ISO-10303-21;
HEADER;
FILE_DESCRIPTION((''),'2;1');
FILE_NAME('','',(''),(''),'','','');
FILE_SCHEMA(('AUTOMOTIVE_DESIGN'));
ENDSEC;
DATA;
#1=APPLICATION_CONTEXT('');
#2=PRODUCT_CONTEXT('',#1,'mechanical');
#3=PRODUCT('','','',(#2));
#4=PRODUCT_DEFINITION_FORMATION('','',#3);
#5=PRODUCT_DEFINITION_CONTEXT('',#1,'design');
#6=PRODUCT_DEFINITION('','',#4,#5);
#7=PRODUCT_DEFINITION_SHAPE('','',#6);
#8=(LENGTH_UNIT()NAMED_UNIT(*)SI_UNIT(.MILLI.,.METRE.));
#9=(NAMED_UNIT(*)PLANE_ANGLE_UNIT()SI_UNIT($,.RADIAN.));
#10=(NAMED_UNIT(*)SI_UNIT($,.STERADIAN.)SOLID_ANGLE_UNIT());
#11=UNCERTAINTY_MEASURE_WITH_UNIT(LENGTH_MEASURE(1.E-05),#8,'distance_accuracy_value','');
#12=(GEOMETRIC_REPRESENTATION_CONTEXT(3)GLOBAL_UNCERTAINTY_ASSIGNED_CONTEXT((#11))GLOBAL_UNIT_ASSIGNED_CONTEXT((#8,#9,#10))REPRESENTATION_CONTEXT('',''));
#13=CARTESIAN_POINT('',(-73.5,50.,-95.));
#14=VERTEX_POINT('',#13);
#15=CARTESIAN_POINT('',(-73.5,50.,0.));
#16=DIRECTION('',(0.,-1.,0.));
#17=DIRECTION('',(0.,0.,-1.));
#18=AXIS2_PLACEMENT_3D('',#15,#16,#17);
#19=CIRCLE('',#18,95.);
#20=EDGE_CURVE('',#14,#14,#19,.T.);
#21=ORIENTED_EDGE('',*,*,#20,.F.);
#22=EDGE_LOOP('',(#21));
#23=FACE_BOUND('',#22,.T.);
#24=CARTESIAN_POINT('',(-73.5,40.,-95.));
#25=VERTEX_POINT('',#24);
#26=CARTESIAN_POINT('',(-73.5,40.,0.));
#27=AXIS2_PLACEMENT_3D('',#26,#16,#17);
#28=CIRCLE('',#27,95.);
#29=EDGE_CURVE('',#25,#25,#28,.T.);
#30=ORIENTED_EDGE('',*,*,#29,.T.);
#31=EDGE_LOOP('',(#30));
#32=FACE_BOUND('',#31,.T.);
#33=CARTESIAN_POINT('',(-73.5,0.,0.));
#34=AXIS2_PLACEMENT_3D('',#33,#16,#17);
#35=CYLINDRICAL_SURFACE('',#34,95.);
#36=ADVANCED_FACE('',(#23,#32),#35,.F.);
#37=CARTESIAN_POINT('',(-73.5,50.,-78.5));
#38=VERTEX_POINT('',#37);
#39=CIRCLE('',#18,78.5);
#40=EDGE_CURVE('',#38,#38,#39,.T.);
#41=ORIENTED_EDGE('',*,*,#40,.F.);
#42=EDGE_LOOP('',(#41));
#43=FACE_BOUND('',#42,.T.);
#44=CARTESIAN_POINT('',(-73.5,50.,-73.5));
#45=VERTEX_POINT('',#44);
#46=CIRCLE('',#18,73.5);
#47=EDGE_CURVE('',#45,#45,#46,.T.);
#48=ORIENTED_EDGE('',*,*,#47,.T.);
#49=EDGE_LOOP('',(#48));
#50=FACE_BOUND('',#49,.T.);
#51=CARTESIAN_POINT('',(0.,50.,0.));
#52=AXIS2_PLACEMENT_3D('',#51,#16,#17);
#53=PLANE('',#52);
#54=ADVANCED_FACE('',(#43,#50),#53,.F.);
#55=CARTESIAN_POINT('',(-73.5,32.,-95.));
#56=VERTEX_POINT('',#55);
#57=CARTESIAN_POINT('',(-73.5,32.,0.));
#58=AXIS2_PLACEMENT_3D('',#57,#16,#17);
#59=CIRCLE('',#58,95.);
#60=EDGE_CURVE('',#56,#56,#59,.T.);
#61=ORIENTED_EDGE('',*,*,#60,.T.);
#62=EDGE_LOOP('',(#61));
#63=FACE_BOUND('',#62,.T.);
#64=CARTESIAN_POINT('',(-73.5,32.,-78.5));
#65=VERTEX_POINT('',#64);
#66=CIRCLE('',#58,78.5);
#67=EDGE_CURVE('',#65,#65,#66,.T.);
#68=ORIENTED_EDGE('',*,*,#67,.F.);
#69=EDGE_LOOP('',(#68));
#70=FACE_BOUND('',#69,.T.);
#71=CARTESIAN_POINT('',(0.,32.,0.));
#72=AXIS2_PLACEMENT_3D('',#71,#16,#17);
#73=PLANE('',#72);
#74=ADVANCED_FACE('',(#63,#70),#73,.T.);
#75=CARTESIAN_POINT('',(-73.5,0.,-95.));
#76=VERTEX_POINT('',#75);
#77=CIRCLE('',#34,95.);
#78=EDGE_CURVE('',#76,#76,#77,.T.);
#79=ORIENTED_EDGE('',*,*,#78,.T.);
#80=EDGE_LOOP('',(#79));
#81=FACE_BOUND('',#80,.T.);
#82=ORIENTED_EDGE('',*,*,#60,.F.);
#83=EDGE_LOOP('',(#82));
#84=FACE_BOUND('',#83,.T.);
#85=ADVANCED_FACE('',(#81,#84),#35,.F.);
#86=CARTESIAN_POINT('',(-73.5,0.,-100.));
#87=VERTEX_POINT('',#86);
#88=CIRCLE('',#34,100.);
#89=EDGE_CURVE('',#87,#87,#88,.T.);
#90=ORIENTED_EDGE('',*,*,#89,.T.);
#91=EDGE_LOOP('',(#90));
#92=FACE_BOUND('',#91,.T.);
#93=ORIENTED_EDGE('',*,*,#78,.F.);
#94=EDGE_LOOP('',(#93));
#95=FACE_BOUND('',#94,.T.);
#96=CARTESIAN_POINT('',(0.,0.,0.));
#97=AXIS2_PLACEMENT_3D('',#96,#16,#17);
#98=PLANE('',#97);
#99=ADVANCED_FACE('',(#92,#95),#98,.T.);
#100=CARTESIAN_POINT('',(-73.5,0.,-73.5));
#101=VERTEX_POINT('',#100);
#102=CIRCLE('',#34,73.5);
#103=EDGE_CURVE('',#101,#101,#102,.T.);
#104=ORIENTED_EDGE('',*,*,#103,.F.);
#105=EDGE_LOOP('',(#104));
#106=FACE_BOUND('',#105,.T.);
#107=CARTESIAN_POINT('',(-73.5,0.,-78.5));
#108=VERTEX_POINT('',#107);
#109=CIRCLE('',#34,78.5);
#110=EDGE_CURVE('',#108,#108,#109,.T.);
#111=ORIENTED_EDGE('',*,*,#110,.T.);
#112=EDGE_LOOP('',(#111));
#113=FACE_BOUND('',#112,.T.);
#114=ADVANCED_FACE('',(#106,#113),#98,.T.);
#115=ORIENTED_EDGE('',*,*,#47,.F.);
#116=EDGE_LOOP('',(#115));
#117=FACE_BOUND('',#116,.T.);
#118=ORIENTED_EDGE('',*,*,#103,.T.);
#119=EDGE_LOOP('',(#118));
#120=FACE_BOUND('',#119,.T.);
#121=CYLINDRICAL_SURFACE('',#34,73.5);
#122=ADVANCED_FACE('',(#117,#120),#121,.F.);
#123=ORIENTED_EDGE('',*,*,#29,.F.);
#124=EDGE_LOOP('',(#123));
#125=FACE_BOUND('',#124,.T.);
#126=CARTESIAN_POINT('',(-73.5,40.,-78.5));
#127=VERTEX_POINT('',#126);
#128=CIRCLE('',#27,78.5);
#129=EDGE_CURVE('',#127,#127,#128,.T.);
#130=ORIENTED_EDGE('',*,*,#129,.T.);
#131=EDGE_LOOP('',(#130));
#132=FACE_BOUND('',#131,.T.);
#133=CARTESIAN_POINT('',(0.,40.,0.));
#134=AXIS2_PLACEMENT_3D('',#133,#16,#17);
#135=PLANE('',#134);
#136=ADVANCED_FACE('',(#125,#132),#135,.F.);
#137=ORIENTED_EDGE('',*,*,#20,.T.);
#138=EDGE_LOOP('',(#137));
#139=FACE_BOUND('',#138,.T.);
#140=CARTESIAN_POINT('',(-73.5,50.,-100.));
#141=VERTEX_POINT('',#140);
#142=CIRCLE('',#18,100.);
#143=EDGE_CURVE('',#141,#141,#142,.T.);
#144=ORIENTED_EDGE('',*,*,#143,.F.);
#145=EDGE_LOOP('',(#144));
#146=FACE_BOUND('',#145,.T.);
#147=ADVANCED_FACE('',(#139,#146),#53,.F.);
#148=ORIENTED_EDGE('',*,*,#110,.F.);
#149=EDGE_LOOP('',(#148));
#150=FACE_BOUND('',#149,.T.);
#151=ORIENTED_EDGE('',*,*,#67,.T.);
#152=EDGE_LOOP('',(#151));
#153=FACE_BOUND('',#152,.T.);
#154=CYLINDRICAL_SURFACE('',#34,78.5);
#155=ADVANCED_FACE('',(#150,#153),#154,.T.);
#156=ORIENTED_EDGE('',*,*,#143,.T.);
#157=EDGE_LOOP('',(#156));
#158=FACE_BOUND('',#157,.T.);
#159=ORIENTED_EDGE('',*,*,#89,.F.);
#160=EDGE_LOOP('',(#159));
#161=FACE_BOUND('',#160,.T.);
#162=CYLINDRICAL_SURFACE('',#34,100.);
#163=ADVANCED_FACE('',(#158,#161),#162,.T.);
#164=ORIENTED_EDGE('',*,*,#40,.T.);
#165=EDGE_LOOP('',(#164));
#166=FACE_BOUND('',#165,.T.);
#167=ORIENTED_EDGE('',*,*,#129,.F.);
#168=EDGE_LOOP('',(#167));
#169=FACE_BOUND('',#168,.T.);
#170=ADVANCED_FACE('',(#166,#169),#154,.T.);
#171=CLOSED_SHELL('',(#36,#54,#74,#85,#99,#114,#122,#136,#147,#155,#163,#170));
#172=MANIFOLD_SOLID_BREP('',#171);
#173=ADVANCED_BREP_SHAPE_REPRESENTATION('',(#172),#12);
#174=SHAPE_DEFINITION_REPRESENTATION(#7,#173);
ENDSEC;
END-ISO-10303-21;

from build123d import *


with BuildPart() as part:
    # Sketch2 → Revolve1 (revolve)
    with BuildSketch(Plane.XY):
        Polygon((21.5, 50), (26.5, 50), (26.5, 0), (21.5, 0), (21.5, 32), (5, 32), (5, 0), (0, 0), (0, 50), (5, 50), (5, 40), (21.5, 40), align=None)
    revolve(axis=Axis((-73.5, 0, 0), (0, 1, 0)))


solid = part.part
